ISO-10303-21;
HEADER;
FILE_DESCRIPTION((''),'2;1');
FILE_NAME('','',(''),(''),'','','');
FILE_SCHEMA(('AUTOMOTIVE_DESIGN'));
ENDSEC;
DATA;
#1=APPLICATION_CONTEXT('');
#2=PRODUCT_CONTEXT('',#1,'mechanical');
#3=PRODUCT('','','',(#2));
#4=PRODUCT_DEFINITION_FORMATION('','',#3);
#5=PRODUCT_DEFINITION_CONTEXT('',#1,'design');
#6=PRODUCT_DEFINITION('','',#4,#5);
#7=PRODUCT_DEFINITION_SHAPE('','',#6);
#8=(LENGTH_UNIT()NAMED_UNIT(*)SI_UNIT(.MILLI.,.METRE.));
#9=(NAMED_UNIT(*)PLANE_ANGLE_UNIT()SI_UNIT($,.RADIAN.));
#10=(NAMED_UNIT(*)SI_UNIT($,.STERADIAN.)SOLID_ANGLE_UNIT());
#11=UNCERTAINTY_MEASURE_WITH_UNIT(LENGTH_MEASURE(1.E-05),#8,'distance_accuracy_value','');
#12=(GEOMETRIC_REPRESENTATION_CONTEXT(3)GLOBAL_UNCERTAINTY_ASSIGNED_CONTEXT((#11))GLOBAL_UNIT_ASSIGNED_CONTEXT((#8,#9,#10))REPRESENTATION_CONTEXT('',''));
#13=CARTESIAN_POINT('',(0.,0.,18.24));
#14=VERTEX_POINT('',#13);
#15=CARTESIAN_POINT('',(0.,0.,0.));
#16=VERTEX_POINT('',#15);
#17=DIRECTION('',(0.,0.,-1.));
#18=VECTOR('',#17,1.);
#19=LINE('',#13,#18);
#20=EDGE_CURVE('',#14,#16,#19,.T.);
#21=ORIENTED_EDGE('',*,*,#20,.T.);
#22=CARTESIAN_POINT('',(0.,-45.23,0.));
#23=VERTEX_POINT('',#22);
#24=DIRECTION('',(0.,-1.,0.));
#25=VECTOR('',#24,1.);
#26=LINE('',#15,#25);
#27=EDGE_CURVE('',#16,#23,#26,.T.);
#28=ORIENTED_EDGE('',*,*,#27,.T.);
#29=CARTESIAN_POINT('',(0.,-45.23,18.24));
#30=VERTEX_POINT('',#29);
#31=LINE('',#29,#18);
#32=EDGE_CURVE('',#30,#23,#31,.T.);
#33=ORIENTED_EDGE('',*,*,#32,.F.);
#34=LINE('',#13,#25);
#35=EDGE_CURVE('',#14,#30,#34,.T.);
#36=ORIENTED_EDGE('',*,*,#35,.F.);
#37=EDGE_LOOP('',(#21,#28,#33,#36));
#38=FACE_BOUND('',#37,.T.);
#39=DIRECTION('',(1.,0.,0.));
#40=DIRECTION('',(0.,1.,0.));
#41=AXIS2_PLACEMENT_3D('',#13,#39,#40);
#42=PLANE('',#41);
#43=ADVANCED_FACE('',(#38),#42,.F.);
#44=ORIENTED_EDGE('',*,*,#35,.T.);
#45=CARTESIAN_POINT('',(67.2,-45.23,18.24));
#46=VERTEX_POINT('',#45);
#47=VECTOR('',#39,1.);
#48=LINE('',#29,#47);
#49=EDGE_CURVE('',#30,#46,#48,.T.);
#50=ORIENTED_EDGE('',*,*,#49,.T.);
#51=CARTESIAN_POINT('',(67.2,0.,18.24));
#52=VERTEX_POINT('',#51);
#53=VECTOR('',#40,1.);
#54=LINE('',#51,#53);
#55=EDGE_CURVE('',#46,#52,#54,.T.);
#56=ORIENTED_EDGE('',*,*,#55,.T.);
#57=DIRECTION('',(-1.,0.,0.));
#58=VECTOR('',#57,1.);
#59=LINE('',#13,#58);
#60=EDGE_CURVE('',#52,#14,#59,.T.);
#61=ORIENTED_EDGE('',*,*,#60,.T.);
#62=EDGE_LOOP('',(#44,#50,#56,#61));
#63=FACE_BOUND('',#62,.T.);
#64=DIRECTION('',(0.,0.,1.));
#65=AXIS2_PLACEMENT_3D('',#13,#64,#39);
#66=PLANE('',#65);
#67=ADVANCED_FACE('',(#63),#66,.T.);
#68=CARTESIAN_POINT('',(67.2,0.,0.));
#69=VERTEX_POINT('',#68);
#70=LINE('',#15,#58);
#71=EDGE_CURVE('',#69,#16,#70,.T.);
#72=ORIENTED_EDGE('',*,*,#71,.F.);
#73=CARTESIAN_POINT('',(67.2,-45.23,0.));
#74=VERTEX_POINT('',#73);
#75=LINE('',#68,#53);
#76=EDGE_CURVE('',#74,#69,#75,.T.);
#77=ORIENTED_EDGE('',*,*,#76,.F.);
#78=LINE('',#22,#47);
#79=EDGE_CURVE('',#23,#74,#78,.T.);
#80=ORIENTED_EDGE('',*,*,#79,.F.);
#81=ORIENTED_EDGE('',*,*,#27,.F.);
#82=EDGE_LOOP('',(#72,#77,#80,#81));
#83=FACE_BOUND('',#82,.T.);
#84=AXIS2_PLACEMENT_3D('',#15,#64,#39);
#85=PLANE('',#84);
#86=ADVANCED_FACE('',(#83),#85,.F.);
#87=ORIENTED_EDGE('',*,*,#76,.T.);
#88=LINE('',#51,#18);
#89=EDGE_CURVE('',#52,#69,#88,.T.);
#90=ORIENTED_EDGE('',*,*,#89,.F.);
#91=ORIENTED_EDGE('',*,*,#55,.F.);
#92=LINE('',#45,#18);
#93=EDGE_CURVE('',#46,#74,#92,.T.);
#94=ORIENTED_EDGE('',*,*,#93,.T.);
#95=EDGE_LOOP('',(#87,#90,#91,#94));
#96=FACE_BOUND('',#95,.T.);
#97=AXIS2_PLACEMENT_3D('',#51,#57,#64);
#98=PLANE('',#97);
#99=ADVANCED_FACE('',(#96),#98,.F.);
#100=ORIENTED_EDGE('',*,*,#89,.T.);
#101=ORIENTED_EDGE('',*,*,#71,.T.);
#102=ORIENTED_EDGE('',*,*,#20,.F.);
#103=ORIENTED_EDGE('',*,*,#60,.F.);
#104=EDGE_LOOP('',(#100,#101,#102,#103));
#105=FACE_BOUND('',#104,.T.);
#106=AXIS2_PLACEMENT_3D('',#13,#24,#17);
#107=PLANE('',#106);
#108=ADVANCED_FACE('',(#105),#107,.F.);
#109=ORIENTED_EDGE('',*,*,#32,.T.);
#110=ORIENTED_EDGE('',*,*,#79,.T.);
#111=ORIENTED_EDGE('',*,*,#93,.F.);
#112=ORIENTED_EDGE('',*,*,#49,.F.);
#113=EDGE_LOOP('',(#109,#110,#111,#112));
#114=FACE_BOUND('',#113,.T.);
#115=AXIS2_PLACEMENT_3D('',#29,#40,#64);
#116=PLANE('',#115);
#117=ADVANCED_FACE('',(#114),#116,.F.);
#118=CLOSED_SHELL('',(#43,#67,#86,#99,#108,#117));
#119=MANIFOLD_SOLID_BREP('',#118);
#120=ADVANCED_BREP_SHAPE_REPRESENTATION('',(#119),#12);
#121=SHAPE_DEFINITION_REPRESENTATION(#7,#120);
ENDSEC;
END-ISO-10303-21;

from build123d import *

# Parameters (mm, degrees)
SKETCH_1_W      = 67.2
SKETCH_1_H      = 45.23
EXTRUDE_1_DEPTH = 18.24


with BuildPart() as part:
    # 草图1 → 凸台-拉伸1 (new body)
    with BuildSketch(Plane.XY):
        with Locations((33.6, -22.615)):
            Rectangle(SKETCH_1_W, SKETCH_1_H)
    extrude(amount=EXTRUDE_1_DEPTH)


solid = part.part
